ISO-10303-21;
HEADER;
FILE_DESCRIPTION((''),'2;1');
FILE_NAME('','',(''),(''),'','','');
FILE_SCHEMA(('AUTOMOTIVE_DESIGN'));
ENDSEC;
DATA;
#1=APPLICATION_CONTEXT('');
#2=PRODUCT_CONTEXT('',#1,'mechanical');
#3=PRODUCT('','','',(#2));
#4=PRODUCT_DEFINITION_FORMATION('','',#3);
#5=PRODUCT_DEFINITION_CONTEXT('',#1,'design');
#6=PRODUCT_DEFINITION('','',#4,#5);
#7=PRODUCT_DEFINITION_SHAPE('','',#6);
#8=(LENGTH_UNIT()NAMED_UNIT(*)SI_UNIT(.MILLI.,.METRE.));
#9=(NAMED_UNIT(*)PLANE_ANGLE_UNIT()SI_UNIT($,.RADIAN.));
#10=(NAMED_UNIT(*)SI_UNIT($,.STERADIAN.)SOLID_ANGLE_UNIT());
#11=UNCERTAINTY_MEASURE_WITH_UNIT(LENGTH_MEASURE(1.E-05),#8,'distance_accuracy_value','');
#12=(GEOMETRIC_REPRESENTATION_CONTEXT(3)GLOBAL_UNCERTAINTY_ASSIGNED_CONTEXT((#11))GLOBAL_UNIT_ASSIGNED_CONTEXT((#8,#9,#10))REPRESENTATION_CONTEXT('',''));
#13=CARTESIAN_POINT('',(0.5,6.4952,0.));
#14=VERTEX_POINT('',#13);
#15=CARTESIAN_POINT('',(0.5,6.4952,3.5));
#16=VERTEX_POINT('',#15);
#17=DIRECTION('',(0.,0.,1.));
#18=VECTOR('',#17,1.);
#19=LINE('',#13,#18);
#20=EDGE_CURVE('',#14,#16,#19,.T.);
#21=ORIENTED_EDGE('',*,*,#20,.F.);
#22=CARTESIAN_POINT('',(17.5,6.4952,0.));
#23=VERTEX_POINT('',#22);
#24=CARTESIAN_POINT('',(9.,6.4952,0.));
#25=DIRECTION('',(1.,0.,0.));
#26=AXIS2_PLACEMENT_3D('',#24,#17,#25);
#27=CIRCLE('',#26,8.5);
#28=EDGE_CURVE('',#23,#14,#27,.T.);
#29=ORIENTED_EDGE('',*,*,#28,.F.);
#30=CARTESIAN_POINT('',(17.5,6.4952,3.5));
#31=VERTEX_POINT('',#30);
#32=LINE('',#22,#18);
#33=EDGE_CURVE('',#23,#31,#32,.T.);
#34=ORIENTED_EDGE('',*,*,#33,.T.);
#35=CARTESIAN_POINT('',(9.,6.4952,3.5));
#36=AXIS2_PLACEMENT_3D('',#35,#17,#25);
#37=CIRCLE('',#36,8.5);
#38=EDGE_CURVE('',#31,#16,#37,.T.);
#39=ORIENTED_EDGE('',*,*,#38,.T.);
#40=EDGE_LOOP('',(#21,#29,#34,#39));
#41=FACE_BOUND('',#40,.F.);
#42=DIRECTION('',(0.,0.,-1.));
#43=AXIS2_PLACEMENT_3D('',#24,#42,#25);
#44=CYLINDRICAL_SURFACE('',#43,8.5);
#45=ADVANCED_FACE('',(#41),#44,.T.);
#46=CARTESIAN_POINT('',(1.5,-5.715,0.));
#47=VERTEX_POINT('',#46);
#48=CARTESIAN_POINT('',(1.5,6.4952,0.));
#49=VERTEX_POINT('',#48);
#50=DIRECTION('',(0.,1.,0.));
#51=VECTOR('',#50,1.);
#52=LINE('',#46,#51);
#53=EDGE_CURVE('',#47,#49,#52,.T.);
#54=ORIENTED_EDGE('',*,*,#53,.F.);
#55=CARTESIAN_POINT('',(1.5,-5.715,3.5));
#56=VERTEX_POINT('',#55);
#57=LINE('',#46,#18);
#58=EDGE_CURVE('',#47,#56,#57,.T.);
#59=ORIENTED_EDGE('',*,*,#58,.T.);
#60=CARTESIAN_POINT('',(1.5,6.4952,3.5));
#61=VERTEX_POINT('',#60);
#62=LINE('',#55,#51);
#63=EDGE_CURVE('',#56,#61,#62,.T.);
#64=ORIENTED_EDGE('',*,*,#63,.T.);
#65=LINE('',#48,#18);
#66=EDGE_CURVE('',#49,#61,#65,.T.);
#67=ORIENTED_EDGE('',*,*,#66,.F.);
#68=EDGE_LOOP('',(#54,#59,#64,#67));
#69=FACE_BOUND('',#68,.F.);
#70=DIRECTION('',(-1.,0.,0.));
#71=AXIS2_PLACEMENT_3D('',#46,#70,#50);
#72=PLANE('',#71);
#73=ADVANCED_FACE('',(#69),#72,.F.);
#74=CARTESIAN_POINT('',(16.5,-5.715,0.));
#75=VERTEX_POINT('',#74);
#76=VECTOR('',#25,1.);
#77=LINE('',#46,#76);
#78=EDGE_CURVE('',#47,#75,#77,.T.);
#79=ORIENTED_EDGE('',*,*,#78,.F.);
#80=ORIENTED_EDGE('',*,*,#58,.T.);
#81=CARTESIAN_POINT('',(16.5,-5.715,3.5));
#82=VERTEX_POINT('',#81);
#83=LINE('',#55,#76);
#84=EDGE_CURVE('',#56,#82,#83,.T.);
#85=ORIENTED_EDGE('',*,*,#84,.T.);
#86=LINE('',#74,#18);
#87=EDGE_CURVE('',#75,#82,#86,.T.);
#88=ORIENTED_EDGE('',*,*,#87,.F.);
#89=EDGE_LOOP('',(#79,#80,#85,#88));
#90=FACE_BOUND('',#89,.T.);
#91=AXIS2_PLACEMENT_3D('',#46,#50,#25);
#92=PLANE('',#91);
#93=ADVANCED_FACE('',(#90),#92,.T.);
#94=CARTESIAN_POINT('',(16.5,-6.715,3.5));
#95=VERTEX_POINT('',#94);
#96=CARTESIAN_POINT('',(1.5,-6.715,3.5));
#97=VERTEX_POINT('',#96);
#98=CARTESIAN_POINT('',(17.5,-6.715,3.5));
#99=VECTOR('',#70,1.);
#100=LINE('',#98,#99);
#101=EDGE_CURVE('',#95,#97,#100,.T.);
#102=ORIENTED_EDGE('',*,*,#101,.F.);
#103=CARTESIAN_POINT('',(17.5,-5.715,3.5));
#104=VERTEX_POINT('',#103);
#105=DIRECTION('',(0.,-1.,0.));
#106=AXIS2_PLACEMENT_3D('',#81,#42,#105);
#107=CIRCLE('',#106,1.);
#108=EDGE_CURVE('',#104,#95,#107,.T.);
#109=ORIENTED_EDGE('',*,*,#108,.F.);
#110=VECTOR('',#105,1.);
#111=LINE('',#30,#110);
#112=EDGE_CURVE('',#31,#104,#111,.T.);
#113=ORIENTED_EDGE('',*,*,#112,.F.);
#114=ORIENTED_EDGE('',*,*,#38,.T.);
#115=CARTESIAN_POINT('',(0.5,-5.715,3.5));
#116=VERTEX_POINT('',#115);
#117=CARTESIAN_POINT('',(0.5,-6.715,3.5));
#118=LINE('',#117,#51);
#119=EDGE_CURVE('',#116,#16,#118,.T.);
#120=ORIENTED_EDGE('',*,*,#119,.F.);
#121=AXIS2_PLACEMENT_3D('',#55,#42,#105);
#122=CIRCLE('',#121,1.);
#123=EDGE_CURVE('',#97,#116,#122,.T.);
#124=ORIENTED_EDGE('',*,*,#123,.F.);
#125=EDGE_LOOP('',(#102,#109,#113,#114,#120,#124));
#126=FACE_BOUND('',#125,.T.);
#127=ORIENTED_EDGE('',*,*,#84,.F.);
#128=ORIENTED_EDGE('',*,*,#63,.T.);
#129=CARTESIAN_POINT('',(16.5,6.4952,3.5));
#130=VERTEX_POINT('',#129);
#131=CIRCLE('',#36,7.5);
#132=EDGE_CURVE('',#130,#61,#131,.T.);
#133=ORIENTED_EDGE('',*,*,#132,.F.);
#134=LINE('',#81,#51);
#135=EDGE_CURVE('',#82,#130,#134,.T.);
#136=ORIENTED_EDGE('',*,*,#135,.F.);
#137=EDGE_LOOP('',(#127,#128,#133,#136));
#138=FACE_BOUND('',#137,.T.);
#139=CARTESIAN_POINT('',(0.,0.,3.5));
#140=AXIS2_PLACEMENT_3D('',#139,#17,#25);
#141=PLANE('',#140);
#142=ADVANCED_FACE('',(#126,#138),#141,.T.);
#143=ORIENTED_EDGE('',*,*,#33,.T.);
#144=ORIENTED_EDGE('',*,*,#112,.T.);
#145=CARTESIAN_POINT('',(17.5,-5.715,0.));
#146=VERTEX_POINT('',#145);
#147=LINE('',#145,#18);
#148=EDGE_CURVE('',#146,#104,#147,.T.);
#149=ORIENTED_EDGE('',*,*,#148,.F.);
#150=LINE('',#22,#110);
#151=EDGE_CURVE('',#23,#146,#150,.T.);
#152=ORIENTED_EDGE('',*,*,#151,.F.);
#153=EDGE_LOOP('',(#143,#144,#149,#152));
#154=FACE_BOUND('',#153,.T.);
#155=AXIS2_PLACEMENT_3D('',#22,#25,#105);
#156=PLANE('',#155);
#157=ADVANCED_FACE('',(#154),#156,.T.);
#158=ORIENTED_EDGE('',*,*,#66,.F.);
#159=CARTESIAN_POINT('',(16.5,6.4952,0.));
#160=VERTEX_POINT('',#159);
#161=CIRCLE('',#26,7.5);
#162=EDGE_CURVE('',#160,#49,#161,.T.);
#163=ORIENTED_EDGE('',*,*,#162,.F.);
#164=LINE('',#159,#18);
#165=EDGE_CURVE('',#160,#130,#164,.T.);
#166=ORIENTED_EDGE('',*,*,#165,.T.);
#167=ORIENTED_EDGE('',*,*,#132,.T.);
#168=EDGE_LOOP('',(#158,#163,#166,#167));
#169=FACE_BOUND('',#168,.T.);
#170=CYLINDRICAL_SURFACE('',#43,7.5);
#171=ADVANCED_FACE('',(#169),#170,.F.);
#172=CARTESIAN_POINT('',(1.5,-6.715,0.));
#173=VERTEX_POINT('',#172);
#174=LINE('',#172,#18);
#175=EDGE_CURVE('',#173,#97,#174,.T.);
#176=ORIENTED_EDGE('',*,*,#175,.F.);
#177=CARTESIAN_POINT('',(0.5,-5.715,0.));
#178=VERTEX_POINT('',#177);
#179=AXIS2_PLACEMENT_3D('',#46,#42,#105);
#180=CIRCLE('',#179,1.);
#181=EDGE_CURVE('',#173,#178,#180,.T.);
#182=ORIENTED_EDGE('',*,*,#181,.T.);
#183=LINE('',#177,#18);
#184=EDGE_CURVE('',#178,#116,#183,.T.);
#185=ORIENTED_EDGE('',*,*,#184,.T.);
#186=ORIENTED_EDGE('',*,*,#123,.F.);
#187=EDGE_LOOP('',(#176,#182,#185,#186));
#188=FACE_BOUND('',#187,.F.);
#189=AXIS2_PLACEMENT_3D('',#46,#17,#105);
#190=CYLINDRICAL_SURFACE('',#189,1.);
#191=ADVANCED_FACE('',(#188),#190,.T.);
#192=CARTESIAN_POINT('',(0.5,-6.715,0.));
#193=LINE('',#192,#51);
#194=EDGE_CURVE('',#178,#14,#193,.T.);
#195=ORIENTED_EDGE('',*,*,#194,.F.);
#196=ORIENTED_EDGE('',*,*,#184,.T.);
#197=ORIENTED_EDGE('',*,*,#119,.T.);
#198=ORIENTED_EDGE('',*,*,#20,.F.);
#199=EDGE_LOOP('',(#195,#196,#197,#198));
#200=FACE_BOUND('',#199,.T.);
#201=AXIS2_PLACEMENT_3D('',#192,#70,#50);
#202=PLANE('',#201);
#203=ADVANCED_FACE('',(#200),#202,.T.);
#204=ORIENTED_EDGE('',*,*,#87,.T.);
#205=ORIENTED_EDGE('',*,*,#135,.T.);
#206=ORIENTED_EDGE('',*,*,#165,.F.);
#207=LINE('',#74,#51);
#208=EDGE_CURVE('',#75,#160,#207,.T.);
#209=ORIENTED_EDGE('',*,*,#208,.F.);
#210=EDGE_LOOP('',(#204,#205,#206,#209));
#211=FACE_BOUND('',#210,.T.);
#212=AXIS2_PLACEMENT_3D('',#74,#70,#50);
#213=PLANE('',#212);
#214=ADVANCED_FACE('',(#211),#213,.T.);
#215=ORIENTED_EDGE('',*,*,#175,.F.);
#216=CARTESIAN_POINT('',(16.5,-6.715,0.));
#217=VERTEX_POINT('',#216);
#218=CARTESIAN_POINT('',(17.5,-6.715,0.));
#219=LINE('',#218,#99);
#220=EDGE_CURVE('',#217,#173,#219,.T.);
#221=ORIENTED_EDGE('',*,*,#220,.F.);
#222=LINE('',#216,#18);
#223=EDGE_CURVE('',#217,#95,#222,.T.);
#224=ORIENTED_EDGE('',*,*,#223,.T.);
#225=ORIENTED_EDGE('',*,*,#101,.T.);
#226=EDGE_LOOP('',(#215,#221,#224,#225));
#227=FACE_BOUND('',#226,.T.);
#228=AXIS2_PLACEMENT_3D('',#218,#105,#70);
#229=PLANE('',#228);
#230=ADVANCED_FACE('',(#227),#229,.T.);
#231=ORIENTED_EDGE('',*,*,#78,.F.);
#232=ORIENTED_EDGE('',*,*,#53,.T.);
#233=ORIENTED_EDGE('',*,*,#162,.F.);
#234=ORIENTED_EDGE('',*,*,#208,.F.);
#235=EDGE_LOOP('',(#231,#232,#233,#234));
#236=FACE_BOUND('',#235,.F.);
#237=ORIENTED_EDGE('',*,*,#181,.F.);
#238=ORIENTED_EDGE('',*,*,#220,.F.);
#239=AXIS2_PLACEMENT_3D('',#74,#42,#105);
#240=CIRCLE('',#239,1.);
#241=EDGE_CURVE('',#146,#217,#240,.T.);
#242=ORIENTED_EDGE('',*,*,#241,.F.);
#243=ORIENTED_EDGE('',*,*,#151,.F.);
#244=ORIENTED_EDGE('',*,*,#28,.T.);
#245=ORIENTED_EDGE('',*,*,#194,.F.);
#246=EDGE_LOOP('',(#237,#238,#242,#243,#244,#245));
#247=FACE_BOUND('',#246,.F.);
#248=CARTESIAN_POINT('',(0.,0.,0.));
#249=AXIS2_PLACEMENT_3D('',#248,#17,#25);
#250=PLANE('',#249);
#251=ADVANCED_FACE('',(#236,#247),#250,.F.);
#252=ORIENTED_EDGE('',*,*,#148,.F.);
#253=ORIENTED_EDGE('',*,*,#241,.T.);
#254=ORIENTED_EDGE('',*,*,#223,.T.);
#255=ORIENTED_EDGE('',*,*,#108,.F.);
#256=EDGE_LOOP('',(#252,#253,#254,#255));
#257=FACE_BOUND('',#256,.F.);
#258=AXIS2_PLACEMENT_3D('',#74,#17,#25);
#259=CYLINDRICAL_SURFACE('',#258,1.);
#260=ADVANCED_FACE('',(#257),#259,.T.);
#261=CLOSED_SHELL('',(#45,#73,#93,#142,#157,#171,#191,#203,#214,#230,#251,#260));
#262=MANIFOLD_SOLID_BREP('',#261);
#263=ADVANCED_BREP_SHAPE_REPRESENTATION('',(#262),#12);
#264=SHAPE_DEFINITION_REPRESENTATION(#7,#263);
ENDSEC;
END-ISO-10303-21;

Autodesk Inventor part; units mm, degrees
ref_plane "YZ Plane" through (0, 0, 0) normal (1, 0, 0) x (0, 1, 0)
ref_plane "XZ Plane" through (0, 0, 0) normal (0, 1, 0) x (-1, 0, 0)
ref_plane "XY Plane" through (0, 0, 0) normal (0, 0, 1) x (1, 0, 0)
sketch "Sketch1" plane through (0, 0, 0) normal (0, 0, 1) x (1, 0, 0)
  line L0 (0, -5.715) -> (1.5, -5.715) construction
  line L1 (1.5, 0) -> (1.5, -5.715) construction
  line L2 (1.5, 0) -> (0, 0) construction
  line L3 (0, 0) -> (0, -5.715) construction
  circle A0 centre (9, 6.4952) radius 4 construction
  circle A1 centre (9, 6.4952) radius 7.5 construction
  line L4 (16.5, -5.715) -> (18, -5.715) construction
  line L5 (18, 0) -> (18, -5.715) construction
  line L6 (18, 0) -> (16.5, 0) construction
  line L7 (16.5, 0) -> (16.5, -5.715) construction
  line L8 (1.5, -5.715) -> (16.5, -5.715)
  line L9 (16.5, -5.715) -> (16.5, 6.4952)
  arc A2 (16.5, 6.4952) -> (1.5, 6.4952) centre (9, 6.4952) ccw
  line L10 (1.5, -5.715) -> (1.5, 6.4952)
  arc A3 (17.5, 6.4952) -> (0.5, 6.4952) centre (9, 6.4952) ccw
  line L11 (17.5, 6.4952) -> (17.5, -6.715)
  line L12 (17.5, -6.715) -> (0.5, -6.715)
  line L13 (0.5, -6.715) -> (0.5, 6.4952)
  dimension "d0" = 1
extrude "Extrusion1" add sketch "Sketch1" along normal blind 3.5
fillet "Fillet1" radius 1 2 edges at (17.5, -6.715, 1.75) (0.5, -6.715, 1.75)
properties part number "ZIP TIE Y BEARINGS"
